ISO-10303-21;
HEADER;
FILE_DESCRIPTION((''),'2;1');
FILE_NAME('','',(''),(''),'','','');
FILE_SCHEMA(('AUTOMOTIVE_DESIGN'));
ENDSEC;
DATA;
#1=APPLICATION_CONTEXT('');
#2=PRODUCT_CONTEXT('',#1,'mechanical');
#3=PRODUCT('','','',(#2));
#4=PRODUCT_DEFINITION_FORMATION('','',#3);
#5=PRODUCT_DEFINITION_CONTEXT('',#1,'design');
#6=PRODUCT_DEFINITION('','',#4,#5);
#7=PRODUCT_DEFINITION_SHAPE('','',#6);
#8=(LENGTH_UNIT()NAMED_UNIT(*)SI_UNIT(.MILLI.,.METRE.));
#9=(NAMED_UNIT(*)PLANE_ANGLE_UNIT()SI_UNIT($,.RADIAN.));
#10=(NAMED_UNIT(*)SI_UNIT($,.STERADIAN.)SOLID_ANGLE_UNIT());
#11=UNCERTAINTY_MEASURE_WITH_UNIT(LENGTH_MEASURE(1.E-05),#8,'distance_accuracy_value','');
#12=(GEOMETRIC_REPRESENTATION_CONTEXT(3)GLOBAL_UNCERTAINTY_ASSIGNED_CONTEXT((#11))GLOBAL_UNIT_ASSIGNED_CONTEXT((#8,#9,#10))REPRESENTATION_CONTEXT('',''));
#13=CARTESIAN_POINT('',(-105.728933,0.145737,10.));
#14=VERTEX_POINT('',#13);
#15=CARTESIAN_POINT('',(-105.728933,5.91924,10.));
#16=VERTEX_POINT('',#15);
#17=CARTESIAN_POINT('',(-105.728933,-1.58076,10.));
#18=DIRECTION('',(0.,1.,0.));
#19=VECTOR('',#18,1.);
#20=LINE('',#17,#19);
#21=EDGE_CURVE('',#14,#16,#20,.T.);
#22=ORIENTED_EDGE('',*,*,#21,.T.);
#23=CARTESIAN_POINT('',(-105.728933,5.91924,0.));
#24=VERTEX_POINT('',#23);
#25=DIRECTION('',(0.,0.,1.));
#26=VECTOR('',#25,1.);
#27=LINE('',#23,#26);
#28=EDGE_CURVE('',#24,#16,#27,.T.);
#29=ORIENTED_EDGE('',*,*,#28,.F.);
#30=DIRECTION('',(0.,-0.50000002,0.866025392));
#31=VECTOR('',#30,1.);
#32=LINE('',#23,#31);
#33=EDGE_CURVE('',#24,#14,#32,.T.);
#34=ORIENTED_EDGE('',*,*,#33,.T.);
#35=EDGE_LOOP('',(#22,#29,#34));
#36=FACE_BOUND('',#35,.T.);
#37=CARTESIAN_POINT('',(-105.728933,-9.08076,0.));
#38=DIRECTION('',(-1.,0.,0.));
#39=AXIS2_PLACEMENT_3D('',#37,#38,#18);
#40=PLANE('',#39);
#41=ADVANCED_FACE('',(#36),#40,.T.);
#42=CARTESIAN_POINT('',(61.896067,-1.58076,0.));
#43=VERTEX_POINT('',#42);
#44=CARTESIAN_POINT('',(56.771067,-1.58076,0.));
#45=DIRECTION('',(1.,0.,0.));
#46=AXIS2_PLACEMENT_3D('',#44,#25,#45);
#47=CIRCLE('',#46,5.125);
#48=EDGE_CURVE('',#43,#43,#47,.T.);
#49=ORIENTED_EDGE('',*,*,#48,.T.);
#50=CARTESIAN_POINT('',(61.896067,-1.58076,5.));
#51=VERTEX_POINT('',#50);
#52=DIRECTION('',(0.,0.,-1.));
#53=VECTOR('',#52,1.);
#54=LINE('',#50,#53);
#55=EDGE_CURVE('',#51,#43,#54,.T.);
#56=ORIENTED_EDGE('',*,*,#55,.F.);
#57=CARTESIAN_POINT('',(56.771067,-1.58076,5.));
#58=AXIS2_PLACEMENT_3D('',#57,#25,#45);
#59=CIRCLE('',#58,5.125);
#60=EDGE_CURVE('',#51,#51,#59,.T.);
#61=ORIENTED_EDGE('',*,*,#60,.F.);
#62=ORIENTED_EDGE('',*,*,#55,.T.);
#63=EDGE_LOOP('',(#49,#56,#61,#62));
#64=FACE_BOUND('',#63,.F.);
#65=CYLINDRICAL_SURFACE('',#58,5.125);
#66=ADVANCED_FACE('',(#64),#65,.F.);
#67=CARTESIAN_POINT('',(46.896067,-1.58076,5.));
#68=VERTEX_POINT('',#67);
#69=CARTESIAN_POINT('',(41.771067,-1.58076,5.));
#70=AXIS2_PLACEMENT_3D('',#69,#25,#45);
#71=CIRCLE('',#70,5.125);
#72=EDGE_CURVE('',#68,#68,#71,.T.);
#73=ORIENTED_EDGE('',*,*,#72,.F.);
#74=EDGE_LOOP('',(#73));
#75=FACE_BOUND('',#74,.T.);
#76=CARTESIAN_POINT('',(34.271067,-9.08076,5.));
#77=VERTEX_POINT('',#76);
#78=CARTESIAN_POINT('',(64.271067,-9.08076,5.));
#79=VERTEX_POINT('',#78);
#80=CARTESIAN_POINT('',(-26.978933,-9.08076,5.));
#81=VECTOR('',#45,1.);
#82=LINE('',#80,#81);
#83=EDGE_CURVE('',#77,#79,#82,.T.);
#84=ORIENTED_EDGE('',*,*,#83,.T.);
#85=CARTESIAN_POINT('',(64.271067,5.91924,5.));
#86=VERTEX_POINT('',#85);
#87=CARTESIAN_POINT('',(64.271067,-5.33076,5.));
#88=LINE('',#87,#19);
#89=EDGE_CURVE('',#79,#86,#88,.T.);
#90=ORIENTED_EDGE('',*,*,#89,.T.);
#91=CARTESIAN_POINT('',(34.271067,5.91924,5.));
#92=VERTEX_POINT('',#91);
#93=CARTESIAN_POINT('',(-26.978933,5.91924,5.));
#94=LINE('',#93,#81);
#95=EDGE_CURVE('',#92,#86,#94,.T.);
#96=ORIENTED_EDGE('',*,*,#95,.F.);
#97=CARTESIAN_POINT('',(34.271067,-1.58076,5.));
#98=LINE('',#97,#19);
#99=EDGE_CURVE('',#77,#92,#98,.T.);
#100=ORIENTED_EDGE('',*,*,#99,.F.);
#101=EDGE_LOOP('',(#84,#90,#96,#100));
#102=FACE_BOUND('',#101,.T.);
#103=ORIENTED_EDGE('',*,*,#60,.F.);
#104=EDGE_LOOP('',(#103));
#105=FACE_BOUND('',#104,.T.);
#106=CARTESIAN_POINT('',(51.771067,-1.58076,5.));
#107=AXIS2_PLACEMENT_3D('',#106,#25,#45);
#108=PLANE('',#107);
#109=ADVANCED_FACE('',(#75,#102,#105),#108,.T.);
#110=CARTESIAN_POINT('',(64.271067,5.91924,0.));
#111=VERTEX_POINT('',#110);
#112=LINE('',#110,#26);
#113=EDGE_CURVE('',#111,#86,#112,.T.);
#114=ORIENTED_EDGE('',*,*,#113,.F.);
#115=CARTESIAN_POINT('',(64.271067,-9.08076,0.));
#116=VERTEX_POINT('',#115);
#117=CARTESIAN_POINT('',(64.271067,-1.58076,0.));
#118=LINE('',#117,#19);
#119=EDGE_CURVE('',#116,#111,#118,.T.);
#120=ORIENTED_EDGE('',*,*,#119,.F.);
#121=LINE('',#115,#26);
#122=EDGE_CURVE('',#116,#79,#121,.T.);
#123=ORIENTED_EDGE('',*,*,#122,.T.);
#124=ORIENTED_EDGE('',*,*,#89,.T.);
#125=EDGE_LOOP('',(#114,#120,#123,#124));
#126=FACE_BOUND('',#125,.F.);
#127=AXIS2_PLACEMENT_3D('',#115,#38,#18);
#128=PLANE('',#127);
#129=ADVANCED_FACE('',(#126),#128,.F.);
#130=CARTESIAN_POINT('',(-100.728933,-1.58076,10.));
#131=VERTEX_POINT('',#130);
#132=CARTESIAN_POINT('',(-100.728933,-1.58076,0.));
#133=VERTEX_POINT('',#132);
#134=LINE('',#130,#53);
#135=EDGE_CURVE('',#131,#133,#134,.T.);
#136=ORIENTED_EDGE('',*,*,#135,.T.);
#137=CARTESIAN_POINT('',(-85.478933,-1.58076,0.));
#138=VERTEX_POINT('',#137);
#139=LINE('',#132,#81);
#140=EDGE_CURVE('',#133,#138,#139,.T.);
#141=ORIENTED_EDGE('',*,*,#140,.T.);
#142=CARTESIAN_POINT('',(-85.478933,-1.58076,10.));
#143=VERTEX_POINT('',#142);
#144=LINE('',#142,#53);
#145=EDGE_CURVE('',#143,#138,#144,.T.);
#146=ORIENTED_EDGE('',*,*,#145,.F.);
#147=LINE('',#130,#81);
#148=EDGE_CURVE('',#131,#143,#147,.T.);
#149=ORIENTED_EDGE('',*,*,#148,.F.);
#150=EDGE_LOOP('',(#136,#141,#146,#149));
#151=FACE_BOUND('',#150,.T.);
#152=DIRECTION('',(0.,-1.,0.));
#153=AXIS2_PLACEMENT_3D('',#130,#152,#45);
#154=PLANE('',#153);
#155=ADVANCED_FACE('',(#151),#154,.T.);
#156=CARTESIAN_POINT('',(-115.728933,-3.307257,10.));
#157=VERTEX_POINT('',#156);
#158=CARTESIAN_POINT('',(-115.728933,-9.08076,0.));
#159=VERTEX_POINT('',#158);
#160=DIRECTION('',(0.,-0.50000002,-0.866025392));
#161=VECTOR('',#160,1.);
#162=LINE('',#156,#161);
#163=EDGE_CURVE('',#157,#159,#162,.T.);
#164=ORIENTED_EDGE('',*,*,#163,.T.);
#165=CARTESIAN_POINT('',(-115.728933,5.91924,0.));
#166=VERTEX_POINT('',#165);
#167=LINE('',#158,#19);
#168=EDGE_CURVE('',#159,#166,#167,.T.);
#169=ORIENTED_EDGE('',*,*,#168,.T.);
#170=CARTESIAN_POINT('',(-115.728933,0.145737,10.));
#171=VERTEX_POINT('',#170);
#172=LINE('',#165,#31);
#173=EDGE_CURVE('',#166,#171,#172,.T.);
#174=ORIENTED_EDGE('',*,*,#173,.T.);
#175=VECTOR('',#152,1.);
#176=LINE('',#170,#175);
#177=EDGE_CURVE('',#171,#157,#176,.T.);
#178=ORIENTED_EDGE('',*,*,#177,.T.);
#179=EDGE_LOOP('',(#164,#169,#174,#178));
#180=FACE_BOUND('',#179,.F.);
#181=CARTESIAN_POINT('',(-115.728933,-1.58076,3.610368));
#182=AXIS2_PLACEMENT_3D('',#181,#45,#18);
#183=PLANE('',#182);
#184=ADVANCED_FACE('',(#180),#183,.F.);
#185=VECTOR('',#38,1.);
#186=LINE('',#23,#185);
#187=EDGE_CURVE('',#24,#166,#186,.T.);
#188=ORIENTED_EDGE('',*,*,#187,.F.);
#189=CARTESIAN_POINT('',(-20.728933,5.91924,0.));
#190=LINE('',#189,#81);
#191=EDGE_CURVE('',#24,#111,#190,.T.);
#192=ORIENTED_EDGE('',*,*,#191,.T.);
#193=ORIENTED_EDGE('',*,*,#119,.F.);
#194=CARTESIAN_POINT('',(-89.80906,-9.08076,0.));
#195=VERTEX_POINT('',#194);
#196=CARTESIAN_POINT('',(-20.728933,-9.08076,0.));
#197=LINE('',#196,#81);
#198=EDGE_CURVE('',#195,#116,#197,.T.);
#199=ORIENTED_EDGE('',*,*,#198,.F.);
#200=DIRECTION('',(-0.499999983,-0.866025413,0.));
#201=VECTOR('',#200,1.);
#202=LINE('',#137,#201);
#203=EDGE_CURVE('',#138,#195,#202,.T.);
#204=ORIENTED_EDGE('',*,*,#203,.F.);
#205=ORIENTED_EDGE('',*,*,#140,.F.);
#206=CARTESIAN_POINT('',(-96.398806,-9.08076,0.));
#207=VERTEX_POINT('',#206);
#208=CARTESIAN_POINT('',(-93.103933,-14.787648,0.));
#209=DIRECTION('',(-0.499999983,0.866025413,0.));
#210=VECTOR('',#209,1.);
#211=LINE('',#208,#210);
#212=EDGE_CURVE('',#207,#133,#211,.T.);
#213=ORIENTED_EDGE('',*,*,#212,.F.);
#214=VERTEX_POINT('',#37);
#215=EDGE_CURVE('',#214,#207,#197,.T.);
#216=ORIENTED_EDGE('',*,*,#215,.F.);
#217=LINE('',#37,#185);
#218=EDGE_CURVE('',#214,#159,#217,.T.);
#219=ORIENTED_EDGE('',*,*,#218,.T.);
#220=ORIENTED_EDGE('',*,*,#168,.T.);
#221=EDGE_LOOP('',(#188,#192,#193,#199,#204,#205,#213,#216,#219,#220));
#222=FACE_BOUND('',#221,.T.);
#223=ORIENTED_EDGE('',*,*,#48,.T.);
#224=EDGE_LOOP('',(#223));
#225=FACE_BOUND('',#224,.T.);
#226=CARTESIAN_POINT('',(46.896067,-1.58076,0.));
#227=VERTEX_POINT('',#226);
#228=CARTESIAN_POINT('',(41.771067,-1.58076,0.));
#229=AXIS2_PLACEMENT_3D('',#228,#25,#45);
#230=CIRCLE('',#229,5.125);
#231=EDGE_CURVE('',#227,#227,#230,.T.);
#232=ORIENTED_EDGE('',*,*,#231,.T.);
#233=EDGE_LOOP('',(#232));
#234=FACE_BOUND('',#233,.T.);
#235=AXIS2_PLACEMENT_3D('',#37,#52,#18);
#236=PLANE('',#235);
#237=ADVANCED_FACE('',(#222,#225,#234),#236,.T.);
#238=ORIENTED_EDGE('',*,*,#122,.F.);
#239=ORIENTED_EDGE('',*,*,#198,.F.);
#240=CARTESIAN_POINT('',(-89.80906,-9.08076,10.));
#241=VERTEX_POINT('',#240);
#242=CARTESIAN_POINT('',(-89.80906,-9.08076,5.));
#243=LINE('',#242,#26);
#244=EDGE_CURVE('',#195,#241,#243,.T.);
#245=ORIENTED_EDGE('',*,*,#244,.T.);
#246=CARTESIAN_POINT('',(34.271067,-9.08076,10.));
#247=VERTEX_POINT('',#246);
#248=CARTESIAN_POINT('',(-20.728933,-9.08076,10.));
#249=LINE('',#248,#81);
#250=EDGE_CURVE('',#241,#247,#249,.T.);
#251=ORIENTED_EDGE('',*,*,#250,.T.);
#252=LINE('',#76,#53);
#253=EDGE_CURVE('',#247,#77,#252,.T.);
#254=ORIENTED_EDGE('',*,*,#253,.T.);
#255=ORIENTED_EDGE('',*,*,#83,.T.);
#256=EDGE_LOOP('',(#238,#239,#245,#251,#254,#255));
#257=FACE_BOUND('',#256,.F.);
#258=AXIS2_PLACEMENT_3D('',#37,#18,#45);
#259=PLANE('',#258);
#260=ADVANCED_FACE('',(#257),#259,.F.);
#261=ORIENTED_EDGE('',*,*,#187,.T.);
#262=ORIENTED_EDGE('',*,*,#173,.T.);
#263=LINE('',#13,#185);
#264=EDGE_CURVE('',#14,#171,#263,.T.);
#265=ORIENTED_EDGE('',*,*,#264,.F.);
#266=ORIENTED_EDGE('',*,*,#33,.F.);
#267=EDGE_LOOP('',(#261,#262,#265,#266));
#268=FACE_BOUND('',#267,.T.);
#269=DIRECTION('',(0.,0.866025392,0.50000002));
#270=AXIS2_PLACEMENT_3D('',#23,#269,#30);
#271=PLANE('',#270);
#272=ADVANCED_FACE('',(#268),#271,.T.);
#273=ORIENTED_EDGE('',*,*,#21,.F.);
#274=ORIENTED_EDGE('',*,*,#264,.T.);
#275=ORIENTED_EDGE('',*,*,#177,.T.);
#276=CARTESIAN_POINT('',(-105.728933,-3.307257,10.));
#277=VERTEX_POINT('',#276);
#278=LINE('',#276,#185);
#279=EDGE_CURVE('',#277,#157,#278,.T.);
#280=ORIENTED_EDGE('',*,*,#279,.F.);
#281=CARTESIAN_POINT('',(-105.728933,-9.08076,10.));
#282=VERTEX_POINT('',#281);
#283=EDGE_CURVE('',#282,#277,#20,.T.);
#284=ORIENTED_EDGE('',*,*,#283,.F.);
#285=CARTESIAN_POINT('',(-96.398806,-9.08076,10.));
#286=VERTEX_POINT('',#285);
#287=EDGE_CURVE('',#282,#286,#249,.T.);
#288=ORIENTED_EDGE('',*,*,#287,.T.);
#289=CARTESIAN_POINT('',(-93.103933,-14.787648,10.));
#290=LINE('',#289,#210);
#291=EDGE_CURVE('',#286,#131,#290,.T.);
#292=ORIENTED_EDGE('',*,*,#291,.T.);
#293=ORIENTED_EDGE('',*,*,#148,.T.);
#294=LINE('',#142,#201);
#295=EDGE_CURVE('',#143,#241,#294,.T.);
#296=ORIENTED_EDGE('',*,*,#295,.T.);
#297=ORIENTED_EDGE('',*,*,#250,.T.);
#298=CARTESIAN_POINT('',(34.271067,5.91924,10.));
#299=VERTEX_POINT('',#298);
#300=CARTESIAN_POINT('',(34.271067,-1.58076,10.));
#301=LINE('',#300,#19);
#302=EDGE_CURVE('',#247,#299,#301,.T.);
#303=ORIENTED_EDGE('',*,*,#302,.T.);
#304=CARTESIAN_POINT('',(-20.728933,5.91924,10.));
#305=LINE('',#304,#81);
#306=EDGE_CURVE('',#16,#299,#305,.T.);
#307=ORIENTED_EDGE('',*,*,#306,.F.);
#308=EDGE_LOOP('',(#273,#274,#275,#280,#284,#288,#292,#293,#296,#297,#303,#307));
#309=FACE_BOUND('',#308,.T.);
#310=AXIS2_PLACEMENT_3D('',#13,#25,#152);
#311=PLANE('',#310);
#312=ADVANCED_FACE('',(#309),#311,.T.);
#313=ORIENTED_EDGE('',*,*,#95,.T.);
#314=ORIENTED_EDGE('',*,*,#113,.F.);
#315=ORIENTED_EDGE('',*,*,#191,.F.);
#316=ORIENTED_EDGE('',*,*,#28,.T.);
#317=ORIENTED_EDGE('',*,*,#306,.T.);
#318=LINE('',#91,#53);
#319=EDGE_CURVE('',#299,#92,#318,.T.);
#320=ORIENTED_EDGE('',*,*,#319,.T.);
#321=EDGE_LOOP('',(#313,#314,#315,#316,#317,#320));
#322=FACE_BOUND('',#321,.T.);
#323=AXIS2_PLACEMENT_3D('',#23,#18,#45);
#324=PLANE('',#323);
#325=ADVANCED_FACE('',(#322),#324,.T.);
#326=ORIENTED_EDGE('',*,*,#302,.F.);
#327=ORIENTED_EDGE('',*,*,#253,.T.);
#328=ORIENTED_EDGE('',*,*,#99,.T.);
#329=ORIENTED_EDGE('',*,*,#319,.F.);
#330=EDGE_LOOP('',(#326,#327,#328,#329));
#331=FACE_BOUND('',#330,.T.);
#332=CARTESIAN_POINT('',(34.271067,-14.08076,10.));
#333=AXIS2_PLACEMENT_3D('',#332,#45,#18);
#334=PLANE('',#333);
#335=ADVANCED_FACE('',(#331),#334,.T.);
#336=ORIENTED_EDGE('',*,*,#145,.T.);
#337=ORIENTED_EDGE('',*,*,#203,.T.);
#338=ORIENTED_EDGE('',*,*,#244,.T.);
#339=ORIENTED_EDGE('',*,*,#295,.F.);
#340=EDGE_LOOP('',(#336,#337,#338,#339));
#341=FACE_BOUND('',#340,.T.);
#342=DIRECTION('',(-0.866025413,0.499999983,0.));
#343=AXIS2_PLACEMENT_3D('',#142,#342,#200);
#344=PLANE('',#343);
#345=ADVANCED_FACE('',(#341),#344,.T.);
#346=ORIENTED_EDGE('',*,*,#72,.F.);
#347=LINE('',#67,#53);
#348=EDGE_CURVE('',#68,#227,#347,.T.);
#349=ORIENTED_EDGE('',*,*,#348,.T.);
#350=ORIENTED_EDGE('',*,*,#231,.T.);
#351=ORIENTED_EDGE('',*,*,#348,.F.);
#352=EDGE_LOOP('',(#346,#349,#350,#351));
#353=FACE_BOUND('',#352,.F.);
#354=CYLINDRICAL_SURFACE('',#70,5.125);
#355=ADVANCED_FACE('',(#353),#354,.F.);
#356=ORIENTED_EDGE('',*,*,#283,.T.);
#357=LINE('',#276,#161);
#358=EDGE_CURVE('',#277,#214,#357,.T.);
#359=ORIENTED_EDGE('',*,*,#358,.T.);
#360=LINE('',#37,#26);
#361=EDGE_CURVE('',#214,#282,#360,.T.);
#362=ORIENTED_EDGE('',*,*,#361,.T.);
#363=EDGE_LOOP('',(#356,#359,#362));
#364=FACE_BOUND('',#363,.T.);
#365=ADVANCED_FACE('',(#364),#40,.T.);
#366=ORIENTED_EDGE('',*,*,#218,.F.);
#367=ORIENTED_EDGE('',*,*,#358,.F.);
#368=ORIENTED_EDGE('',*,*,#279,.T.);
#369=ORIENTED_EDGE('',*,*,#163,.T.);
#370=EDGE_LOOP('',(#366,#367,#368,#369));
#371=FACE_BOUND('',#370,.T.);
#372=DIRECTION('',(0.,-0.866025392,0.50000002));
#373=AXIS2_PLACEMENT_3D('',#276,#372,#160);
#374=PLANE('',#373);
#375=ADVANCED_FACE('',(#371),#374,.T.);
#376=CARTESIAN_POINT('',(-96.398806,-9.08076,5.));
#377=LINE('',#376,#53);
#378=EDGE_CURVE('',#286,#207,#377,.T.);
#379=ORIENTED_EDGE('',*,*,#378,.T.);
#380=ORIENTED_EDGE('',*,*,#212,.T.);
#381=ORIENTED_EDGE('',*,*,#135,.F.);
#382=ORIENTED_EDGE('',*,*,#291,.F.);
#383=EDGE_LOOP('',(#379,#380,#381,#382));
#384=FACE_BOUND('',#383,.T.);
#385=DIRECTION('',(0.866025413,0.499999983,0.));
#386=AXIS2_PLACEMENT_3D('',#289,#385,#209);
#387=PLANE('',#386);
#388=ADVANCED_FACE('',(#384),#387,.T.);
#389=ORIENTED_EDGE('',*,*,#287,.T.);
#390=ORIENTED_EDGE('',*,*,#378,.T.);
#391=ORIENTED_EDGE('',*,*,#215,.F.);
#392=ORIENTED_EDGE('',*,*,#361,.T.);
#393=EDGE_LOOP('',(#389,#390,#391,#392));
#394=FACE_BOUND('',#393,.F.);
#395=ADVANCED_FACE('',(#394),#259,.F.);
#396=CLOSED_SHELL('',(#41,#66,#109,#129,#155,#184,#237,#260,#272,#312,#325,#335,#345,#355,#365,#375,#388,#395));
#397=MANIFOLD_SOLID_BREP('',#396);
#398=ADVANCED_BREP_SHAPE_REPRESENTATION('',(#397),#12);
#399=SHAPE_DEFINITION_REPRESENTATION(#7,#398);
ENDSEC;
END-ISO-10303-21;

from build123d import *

# Parameters (mm, degrees)
SKETCH_W        = 170
SKETCH_H        = 15
PAD_DEPTH       = 10
SKETCH001_W     = 35
SKETCH001_H     = 25
POCKET_DEPTH    = 5
PAD002_DEPTH    = 10
POCKET001_DEPTH = 10
SKETCH002_R     = 5.125
POCKET002_DEPTH = 5


with BuildPart() as part:
    # Sketch → Pad (new body)
    with BuildSketch(Plane.XY):
        with Locations((-20.728933, -1.58076)):
            Rectangle(SKETCH_W, SKETCH_H)
    extrude(amount=PAD_DEPTH)

    # Sketch001 (on Face6 of Pad) → Pocket (cut)
    with BuildSketch(Plane.XY.offset(10)):
        with Locations((51.771067, -1.58076)):
            Rectangle(SKETCH001_W, SKETCH001_H)
    extrude(amount=-POCKET_DEPTH, mode=Mode.SUBTRACT)

    # Sketch003 → Pad002 (join)
    with BuildSketch(Plane(origin=(-105.728933, 0, 0), x_dir=(0, -1, 0), z_dir=(-1, 0, 0))):
        Polygon((-5.91924, 0), (-0.145737, 10), (3.307257, 10), (9.08076, 0), align=None)
    extrude(amount=PAD002_DEPTH)

    # Sketch004 (on Face3 of Pad002) → Pocket001 (cut)
    with BuildSketch(Plane.XY.offset(10)):
        Polygon((-93.103933, -14.787648), (-100.728933, -1.58076), (-85.478933, -1.58076), align=None)
    extrude(amount=-POCKET001_DEPTH, mode=Mode.SUBTRACT)

    # Sketch002 (on Face7 of Pocket) → Pocket002 (cut)
    with BuildSketch(Plane.XY.offset(5)):
        with Locations((56.771067, -1.58076)):
            Circle(SKETCH002_R)
        with Locations((41.771067, -1.58076)):
            Circle(SKETCH002_R)
    extrude(amount=-POCKET002_DEPTH, mode=Mode.SUBTRACT)


solid = part.part
